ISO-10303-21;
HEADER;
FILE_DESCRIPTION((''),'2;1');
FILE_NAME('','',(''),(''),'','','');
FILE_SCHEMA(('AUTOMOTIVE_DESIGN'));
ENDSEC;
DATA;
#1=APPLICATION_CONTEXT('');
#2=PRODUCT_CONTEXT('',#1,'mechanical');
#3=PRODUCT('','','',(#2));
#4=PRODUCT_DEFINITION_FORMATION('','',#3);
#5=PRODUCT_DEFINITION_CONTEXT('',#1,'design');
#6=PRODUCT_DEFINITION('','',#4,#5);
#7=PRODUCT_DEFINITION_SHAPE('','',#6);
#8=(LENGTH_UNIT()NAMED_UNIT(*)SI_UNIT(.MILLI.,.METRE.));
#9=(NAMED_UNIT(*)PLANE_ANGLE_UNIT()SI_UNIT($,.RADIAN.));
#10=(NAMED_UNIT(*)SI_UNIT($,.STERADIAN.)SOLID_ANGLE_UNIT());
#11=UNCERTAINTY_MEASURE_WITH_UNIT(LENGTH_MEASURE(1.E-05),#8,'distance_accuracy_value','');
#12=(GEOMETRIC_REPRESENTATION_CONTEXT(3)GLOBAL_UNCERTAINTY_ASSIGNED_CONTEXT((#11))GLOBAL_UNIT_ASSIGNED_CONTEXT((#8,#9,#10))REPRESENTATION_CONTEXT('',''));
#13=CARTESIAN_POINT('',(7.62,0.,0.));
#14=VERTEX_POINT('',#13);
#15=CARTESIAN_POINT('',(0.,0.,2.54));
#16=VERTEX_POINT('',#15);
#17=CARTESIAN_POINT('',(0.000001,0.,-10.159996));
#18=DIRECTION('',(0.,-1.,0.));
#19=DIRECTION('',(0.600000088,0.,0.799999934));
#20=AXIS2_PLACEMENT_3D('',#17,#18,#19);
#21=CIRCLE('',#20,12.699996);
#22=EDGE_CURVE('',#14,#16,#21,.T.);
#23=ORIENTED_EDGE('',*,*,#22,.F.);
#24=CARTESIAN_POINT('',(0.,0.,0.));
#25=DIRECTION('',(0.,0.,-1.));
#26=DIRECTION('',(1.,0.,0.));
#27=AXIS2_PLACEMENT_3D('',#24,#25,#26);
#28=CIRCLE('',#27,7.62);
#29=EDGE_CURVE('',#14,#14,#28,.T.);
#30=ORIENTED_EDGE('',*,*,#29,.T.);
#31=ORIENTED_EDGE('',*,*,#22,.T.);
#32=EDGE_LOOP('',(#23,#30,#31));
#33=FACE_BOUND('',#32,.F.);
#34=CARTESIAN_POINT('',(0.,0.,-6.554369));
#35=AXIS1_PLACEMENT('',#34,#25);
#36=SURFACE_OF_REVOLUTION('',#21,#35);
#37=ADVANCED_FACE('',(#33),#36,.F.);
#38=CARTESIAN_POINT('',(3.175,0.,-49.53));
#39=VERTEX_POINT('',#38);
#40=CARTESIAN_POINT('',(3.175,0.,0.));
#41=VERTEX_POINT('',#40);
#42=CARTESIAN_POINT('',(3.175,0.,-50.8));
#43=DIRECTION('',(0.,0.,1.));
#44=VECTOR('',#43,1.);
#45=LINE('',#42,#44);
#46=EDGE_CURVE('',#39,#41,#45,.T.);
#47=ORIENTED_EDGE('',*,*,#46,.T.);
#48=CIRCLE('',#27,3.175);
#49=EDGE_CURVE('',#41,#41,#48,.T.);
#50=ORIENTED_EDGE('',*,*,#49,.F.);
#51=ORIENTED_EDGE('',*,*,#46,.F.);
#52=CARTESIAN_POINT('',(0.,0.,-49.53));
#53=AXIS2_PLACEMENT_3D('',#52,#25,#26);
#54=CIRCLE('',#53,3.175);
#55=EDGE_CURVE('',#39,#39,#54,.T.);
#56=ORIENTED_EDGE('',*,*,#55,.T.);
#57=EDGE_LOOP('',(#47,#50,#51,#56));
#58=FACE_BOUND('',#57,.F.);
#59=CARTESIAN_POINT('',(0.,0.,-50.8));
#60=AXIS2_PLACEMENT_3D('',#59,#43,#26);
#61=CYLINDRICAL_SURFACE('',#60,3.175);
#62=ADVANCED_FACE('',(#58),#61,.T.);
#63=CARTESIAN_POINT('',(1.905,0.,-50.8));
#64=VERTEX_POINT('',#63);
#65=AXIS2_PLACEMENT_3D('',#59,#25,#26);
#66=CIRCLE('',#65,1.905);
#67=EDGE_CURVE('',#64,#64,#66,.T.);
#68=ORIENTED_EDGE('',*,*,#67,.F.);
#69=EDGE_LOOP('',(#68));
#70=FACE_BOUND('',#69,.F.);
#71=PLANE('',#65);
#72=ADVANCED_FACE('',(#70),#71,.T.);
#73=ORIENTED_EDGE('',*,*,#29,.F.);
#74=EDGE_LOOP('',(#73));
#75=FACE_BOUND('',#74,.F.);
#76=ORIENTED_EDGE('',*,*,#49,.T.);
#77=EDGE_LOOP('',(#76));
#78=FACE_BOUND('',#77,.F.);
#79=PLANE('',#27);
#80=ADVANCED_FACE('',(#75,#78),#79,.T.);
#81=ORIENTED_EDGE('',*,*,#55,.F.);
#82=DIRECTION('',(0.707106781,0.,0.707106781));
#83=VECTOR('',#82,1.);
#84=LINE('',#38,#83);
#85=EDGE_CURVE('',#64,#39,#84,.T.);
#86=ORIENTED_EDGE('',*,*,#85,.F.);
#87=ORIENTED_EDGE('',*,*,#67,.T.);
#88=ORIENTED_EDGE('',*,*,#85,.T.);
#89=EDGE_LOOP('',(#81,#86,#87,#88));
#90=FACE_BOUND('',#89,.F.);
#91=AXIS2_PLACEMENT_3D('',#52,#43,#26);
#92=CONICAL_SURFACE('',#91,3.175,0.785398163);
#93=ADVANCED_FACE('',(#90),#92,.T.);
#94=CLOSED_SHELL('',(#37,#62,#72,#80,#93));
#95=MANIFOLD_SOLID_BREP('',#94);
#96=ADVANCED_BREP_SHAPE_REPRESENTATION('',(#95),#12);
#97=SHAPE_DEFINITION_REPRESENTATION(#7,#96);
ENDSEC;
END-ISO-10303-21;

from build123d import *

# Parameters (mm, degrees)
F2_SIZE = 1.27


with BuildPart() as f1:
    # F0 (on Front) → F1 (revolve)
    with BuildSketch(Plane.XZ):
        with BuildLine():
            Line((0, 2.54), (0, -22.86))
            ThreePointArc((0, -22.86), (1.600255, -22.758777), (3.175, -22.456722))
            Line((3.175, -22.456722), (3.175, 0))
            Line((3.175, 0), (7.62, 0))
            ThreePointArc((7.62, 0), (4.016093, 1.888278), (0, 2.54))
        make_face()
        with BuildLine():
            Line((0, -22.86), (0, -50.8))
            Line((0, -50.8), (3.175, -50.8))
            Line((3.175, -50.8), (3.175, -22.456722))
            ThreePointArc((3.175, -22.456722), (1.600255, -22.758777), (0, -22.86))
        make_face()
    revolve(axis=Axis((0, 0, -6.554369), (0, 0, -1)))

    # F2
    f2_edges = [f1.edges().sort_by_distance(p)[0] for p in [
        (-3.175, 0, -50.8),
    ]]
    chamfer(f2_edges, length=F2_SIZE)


solid = f1.part
